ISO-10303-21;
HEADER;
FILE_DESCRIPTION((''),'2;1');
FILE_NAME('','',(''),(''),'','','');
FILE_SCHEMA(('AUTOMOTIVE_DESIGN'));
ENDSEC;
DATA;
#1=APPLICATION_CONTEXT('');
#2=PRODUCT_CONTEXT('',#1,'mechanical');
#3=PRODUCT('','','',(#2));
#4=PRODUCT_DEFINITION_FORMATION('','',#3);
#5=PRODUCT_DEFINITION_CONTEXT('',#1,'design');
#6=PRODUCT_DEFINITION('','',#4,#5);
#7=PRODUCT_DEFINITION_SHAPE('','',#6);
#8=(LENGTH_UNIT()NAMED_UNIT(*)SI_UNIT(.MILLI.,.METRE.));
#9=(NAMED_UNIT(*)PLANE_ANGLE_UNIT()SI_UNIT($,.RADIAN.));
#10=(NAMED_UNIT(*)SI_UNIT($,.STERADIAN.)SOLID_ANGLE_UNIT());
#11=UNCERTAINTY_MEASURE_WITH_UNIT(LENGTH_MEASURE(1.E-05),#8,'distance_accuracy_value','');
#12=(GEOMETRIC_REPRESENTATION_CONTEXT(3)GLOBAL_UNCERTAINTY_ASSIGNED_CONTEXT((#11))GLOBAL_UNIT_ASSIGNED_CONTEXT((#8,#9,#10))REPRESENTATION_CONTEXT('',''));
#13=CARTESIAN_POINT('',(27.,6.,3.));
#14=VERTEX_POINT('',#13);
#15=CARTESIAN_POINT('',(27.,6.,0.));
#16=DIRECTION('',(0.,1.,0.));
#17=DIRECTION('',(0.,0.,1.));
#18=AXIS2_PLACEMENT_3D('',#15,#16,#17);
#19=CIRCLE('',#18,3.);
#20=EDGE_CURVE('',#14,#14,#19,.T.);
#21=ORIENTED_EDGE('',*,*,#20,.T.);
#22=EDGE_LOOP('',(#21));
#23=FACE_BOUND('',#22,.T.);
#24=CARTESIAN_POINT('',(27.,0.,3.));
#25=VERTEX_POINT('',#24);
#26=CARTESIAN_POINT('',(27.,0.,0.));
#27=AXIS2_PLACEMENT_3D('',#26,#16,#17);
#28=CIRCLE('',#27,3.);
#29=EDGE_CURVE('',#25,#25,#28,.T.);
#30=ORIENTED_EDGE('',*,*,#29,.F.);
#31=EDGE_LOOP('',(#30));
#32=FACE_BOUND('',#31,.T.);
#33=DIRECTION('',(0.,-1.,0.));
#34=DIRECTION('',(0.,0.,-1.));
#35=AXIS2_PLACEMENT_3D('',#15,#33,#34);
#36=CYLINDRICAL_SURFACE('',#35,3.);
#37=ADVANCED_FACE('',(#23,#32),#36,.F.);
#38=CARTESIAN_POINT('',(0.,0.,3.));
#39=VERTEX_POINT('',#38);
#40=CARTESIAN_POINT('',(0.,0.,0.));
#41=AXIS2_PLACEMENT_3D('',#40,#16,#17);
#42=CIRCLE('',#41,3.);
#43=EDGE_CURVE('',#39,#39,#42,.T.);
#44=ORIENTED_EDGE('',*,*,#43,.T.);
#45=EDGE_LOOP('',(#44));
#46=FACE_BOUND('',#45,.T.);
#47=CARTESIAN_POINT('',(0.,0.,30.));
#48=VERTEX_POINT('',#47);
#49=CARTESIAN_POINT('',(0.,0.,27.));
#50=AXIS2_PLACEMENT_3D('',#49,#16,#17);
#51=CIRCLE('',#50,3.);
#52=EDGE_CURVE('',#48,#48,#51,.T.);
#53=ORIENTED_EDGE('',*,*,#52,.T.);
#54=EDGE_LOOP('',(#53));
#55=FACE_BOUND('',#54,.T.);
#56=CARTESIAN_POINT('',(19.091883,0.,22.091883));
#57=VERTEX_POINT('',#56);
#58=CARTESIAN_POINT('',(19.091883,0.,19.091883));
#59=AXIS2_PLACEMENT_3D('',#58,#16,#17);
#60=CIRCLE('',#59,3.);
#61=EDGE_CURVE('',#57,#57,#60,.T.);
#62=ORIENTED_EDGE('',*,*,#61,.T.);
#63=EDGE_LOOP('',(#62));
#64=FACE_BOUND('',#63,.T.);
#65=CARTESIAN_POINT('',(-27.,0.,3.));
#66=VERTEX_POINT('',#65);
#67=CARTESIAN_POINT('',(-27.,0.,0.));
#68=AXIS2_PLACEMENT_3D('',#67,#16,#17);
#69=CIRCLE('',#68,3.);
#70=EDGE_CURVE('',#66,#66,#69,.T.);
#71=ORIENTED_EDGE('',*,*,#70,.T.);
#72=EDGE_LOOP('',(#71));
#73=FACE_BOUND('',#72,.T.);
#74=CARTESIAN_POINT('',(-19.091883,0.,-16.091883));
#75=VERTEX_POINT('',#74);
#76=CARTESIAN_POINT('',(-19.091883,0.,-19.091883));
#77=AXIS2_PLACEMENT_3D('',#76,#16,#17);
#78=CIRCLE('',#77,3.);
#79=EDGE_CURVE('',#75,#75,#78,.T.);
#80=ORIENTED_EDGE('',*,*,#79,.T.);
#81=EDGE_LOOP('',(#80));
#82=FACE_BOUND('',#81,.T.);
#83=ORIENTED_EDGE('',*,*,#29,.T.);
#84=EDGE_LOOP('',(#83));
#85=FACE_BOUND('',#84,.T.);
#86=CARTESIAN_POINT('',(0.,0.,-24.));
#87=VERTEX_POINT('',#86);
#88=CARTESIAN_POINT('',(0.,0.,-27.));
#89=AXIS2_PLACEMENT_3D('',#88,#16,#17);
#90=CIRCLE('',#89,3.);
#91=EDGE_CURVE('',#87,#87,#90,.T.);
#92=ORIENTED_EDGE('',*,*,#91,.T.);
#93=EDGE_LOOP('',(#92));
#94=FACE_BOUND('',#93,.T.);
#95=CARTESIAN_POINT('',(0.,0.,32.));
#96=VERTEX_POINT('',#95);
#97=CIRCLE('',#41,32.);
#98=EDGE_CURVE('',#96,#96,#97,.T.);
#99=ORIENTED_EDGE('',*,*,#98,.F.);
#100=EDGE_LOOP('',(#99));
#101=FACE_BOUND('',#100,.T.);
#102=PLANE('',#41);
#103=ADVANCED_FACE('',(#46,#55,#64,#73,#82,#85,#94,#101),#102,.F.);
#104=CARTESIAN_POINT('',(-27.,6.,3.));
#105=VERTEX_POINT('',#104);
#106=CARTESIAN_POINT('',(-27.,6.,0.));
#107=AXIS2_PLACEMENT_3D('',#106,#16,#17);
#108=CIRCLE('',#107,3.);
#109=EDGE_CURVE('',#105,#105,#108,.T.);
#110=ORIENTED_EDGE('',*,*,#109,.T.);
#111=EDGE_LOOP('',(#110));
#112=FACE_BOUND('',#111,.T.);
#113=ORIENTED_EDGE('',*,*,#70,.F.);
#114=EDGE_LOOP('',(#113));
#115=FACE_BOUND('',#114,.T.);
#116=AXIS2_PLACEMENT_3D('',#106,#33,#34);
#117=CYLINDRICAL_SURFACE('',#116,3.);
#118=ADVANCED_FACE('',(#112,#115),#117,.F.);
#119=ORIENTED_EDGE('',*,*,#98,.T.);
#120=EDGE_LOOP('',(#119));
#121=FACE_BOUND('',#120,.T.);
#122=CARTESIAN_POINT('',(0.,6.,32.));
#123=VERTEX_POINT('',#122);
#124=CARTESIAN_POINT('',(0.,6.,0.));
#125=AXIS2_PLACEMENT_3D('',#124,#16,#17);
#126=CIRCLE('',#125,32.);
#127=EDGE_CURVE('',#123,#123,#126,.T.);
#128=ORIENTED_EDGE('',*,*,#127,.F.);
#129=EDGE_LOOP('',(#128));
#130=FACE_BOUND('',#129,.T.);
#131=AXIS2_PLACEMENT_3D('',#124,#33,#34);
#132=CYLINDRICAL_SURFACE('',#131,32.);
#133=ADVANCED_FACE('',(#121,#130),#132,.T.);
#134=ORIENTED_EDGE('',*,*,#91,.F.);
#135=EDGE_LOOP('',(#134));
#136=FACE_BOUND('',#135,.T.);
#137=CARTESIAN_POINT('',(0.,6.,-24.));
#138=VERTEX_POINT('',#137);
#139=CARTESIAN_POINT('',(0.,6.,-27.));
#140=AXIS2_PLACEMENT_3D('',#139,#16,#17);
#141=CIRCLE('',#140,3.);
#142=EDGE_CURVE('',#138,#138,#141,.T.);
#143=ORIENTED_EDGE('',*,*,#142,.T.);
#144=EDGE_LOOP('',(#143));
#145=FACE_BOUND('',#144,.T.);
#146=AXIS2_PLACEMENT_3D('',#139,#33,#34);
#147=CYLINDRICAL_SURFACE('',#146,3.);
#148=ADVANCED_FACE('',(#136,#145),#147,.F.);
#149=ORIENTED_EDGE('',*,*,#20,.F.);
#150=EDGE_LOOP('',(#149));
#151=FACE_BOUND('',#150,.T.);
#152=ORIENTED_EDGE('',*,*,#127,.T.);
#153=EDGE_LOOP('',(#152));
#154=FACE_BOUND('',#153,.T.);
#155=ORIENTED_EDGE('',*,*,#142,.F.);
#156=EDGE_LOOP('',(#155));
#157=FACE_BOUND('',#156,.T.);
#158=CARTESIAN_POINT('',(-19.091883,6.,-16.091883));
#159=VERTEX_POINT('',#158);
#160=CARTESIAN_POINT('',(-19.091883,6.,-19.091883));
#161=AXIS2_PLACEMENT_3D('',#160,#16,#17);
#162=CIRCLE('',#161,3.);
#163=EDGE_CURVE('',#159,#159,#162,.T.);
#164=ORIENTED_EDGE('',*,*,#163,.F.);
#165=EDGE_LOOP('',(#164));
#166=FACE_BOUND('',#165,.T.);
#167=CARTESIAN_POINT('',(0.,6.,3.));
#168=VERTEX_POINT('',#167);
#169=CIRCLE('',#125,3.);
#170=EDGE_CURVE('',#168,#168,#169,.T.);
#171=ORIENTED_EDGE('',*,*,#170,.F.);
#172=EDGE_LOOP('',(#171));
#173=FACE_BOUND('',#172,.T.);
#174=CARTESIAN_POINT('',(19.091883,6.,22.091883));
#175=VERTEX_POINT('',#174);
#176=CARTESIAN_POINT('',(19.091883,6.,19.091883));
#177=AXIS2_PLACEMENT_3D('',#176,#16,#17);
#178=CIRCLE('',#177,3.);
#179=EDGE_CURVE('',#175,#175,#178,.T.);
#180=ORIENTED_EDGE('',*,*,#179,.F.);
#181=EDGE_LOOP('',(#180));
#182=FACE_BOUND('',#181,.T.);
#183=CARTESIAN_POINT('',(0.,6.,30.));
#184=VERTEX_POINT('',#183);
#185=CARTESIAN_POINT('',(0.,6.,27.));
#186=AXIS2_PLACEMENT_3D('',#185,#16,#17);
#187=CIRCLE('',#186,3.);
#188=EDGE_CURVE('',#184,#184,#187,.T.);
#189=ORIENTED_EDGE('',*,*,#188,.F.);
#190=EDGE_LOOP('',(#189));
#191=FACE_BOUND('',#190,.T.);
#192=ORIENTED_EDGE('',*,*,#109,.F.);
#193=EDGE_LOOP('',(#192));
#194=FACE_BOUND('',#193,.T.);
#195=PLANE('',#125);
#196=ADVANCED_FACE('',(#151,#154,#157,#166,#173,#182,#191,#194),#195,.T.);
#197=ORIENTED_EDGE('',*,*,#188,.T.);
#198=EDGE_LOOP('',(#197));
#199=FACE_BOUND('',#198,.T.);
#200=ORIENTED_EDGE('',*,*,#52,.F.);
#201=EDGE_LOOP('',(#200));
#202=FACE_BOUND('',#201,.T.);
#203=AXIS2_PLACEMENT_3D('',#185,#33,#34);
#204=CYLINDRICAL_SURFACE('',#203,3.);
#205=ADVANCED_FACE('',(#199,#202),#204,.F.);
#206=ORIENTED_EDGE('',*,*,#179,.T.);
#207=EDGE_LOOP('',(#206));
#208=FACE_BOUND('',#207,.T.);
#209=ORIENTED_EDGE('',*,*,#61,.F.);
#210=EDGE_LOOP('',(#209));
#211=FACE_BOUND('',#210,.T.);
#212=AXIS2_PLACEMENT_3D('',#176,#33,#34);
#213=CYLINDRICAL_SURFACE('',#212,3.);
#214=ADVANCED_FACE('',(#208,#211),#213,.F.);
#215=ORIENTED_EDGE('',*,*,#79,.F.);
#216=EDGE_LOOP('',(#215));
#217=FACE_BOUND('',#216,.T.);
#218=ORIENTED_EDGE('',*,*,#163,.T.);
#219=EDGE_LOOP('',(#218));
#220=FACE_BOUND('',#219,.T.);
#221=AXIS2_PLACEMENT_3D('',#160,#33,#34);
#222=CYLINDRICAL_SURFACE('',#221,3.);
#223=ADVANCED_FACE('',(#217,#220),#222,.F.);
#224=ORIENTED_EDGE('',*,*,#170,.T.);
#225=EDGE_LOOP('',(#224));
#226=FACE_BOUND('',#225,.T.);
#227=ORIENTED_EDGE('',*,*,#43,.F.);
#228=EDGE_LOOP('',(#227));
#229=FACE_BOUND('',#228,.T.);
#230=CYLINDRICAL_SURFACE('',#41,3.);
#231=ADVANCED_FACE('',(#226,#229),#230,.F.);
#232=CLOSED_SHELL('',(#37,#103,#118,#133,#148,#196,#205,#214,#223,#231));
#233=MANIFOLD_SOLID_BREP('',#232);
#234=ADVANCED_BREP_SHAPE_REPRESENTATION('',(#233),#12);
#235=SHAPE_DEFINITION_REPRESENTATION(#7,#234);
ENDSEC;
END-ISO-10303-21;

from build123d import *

# Parameters (mm, degrees)
ESBO_O1_R                = 32
ESBO_O1_R_2              = 5
ESBO_O1_R_3              = 3
RESSALTO_EXTRUS_O1_DEPTH = 6
RESSALTO_EXTRUS_O3_START = -6
ESBO_O2_R                = 5
ESBO_O2_R_2              = 3
RESSALTO_EXTRUS_O3_DEPTH = 6


with BuildPart() as part:
    # Esboço1 → Ressalto-extrusão1 (new body)
    with BuildSketch(Plane(origin=(0, 0, 0), x_dir=(1, 0, 0), z_dir=(0, 1, 0))):
        with Locations(Location((0, 0, 0), (0, 0, 270))):
            Circle(ESBO_O1_R)
        with Locations(Location((0, 0, 0), (0, 0, 270))):
            Circle(ESBO_O1_R_2, mode=Mode.SUBTRACT)
        with Locations(Location((0, 27, 0), (0, 0, 270))):
            Circle(ESBO_O1_R_3, mode=Mode.SUBTRACT)
        with Locations(Location((27, 0, 0), (0, 0, 270))):
            Circle(ESBO_O1_R_3, mode=Mode.SUBTRACT)
        with Locations(Location((0, -27, 0), (0, 0, 270))):
            Circle(ESBO_O1_R_3, mode=Mode.SUBTRACT)
        with Locations(Location((-27, 0, 0), (0, 0, 270))):
            Circle(ESBO_O1_R_3, mode=Mode.SUBTRACT)
        with Locations(Location((-19.091883092, 19.091883092, 0), (0, 0, 270))):
            Circle(ESBO_O1_R_3, mode=Mode.SUBTRACT)
        with Locations(Location((19.091883092, -19.091883092, 0), (0, 0, 270))):
            Circle(ESBO_O1_R_3, mode=Mode.SUBTRACT)
    extrude(amount=RESSALTO_EXTRUS_O1_DEPTH)

    # Esboço2 → Ressalto-extrusão3 (add)
    with BuildSketch(Plane(origin=(0, 6, 0), x_dir=(1, 0, 0), z_dir=(0, 1, 0)).offset(RESSALTO_EXTRUS_O3_START)):
        Circle(ESBO_O2_R)
        with Locations(Location((0, 0, 0), (0, 0, 270))):
            Circle(ESBO_O2_R_2, mode=Mode.SUBTRACT)
    extrude(amount=RESSALTO_EXTRUS_O3_DEPTH)


solid = part.part
